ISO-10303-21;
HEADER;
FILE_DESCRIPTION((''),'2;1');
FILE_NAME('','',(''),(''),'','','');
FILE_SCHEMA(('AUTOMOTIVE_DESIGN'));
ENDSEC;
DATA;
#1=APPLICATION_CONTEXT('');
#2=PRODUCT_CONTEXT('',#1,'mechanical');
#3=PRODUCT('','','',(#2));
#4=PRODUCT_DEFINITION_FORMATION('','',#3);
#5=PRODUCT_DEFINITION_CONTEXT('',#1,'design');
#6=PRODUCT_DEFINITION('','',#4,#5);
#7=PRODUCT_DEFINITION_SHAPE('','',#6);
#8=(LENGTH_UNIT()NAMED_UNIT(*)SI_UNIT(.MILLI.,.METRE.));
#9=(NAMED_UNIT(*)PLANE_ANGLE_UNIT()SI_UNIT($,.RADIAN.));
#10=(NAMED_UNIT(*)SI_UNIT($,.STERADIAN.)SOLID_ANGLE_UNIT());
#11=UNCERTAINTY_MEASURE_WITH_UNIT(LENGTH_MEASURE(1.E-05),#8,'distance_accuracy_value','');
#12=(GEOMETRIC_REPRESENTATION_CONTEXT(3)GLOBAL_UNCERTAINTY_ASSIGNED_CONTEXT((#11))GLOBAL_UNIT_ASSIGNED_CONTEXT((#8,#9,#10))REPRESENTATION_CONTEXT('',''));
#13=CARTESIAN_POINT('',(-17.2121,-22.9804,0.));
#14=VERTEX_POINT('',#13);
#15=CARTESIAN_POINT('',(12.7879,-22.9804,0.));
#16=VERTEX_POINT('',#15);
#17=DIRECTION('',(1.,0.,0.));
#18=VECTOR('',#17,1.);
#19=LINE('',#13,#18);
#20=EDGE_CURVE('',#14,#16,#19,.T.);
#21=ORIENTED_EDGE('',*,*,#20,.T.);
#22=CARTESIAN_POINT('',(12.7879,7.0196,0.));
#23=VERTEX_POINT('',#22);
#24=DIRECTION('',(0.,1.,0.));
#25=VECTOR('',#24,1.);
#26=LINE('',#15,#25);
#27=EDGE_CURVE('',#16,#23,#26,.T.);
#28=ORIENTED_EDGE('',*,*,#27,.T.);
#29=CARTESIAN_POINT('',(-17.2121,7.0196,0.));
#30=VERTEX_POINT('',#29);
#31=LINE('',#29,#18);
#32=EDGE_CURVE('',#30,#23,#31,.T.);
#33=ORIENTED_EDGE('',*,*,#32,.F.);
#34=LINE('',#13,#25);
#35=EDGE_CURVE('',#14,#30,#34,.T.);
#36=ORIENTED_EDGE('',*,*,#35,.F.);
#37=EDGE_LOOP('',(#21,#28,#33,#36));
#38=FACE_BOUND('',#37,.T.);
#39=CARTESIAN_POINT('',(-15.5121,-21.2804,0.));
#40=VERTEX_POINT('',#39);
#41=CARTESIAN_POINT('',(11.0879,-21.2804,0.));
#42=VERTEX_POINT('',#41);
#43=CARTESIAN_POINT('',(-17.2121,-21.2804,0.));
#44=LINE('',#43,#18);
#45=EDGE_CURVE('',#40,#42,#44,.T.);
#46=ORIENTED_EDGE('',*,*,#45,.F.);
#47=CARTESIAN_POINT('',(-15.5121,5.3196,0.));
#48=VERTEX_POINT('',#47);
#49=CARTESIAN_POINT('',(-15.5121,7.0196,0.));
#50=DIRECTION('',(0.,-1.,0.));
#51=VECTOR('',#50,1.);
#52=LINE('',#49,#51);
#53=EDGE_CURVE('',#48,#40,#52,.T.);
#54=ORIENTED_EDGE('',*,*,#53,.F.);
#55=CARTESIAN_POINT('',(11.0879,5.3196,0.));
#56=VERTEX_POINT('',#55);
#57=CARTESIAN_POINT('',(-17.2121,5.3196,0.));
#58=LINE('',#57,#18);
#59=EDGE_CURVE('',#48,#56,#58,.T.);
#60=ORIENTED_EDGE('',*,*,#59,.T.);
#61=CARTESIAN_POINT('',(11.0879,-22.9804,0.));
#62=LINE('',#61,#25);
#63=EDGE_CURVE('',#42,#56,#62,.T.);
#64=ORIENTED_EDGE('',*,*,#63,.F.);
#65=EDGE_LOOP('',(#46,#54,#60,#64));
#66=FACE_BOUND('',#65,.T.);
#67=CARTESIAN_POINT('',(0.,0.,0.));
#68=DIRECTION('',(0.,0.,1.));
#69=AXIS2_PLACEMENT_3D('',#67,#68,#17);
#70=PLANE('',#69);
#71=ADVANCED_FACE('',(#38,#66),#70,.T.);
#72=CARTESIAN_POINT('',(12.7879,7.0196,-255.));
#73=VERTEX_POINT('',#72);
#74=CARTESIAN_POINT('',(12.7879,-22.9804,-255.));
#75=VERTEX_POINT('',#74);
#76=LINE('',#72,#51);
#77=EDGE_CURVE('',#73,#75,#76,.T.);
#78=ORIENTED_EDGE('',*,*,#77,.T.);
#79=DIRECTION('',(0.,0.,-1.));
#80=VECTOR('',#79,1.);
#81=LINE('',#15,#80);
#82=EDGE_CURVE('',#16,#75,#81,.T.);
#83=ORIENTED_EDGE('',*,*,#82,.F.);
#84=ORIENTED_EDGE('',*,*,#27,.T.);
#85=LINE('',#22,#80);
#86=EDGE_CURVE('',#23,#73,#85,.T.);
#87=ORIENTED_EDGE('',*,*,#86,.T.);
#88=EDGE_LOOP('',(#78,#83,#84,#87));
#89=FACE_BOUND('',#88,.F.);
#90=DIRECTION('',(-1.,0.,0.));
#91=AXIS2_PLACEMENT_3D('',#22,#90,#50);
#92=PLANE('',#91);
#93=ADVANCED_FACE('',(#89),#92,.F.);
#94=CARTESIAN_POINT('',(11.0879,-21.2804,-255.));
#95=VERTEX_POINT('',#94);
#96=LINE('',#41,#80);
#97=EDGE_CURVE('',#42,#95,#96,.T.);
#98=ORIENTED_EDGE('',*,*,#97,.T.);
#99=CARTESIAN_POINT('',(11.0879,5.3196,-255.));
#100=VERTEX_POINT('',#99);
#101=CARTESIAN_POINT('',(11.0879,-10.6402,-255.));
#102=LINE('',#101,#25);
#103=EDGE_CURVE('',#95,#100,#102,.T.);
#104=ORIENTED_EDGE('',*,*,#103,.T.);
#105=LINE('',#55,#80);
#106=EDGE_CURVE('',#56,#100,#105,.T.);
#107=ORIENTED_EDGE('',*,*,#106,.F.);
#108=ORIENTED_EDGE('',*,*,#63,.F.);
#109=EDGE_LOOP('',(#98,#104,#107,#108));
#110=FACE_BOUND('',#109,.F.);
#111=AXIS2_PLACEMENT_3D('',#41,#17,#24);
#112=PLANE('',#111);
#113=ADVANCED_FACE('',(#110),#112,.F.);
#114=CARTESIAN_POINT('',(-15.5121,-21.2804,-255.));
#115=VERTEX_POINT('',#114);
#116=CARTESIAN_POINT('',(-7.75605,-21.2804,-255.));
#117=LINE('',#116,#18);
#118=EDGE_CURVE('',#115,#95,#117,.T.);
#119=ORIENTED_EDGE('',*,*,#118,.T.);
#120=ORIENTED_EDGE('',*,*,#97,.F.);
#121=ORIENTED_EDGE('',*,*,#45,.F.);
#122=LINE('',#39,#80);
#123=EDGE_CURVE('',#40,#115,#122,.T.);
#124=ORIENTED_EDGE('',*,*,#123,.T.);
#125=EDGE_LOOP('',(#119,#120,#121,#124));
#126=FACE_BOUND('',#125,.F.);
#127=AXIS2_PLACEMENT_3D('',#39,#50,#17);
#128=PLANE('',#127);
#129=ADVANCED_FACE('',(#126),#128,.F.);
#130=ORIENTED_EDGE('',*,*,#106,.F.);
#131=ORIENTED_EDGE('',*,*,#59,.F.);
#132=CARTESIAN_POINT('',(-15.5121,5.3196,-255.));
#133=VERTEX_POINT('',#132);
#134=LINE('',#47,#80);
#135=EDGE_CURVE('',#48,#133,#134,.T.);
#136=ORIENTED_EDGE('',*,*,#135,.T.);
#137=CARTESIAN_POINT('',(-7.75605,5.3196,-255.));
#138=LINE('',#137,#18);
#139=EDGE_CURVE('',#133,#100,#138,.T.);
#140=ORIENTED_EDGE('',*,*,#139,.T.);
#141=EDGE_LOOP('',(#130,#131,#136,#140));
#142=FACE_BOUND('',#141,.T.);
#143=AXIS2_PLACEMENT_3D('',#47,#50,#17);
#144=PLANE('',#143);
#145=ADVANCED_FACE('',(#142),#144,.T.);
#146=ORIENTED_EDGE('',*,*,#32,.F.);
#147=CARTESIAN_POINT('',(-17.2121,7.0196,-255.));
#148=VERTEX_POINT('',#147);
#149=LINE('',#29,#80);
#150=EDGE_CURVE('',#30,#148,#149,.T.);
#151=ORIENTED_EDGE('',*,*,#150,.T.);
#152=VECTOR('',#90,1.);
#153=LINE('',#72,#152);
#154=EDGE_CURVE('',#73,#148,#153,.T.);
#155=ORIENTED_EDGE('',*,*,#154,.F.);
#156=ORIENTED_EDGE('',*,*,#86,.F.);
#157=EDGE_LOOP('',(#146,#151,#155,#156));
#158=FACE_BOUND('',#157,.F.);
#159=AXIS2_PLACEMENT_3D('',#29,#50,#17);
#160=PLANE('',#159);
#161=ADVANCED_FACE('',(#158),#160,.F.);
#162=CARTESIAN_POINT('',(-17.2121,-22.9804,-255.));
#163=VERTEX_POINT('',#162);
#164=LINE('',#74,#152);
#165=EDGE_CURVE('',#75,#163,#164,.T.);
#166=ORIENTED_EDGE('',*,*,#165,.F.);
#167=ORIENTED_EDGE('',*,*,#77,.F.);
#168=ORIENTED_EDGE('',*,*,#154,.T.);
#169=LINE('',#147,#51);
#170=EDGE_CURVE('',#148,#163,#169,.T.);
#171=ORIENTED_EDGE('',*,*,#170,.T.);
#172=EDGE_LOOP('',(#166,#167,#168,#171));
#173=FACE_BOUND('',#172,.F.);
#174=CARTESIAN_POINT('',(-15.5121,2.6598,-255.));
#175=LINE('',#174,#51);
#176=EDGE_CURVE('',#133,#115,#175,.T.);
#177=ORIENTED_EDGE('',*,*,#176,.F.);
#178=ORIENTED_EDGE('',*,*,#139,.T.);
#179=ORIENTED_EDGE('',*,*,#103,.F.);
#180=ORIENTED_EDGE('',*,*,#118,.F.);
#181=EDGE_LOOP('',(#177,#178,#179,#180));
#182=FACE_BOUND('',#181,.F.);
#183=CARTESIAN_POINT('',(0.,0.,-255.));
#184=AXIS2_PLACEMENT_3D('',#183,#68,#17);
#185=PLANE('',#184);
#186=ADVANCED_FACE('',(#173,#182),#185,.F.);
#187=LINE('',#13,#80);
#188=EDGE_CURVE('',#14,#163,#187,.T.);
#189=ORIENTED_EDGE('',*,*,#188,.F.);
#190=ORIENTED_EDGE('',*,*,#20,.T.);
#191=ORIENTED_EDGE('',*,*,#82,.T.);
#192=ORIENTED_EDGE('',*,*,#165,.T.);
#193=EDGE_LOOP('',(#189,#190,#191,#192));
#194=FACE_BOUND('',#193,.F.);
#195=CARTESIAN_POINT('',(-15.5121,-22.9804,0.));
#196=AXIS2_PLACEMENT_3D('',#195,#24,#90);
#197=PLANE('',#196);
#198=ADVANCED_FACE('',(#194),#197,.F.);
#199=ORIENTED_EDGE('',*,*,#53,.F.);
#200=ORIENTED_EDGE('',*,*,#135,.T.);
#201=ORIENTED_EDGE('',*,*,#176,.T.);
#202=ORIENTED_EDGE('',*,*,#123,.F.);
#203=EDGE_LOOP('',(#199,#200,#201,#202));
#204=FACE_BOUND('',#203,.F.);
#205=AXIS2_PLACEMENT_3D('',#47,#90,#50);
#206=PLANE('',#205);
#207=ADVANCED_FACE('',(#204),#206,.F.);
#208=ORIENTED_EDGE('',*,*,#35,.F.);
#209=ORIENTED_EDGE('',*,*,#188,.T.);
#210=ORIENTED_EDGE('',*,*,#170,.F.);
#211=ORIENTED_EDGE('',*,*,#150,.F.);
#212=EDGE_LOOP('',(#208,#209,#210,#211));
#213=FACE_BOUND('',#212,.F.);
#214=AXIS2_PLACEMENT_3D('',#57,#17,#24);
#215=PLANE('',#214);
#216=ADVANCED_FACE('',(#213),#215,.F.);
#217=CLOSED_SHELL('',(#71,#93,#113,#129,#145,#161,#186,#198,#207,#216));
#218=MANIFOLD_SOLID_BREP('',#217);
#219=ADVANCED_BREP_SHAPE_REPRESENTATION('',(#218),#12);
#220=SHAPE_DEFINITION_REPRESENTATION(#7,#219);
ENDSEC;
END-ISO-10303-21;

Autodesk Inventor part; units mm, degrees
ref_plane "YZ Plane" through (0, 0, 0) normal (1, 0, 0) x (0, 1, 0)
ref_plane "XZ Plane" through (0, 0, 0) normal (0, 1, 0) x (-1, 0, 0)
ref_plane "XY Plane" through (0, 0, 0) normal (0, 0, 1) x (1, 0, 0)
sketch "Sketch1" plane through (0, 0, 0) normal (0, 0, 1) x (1, 0, 0)
  line L0 (-17.2121, 7.0196) -> (12.7879, 7.0196)
  line L1 (12.7879, 7.0196) -> (12.7879, -22.9804)
  line L2 (12.7879, -22.9804) -> (-17.2121, -22.9804)
  line L3 (-17.2121, -22.9804) -> (-17.2121, 7.0196)
  line L4 (11.0879, -22.9804) -> (11.0879, 7.0196)
  line L5 (-17.2121, 5.3196) -> (12.7879, 5.3196)
  line L6 (-15.5121, 7.0196) -> (-15.5121, -22.9804)
  line L7 (-17.2121, -21.2804) -> (12.7879, -21.2804)
  point P0 (-15.5121, -21.2804)
  point P1 (11.0879, -21.2804)
  point P2 (11.0879, 5.3196)
  point P3 (-15.5121, 5.3196)
  dimension "d1" = 30
  dimension "d2" = 30
  dimension "d3" = 1.7
  dimension "d4" = 1.7
  dimension "d5" = 1.7
  dimension "d6" = 1.7
extrude "Extrusion1" add sketch "Sketch1" against normal blind 255
extrude "Extrusion2" cut sketch "Sketch1" against normal blind 430 contours L5 L4 L7 L6
properties part number "Cablecanal Ranurado 30x30 L=255 mm" material "PPS Plastic"
